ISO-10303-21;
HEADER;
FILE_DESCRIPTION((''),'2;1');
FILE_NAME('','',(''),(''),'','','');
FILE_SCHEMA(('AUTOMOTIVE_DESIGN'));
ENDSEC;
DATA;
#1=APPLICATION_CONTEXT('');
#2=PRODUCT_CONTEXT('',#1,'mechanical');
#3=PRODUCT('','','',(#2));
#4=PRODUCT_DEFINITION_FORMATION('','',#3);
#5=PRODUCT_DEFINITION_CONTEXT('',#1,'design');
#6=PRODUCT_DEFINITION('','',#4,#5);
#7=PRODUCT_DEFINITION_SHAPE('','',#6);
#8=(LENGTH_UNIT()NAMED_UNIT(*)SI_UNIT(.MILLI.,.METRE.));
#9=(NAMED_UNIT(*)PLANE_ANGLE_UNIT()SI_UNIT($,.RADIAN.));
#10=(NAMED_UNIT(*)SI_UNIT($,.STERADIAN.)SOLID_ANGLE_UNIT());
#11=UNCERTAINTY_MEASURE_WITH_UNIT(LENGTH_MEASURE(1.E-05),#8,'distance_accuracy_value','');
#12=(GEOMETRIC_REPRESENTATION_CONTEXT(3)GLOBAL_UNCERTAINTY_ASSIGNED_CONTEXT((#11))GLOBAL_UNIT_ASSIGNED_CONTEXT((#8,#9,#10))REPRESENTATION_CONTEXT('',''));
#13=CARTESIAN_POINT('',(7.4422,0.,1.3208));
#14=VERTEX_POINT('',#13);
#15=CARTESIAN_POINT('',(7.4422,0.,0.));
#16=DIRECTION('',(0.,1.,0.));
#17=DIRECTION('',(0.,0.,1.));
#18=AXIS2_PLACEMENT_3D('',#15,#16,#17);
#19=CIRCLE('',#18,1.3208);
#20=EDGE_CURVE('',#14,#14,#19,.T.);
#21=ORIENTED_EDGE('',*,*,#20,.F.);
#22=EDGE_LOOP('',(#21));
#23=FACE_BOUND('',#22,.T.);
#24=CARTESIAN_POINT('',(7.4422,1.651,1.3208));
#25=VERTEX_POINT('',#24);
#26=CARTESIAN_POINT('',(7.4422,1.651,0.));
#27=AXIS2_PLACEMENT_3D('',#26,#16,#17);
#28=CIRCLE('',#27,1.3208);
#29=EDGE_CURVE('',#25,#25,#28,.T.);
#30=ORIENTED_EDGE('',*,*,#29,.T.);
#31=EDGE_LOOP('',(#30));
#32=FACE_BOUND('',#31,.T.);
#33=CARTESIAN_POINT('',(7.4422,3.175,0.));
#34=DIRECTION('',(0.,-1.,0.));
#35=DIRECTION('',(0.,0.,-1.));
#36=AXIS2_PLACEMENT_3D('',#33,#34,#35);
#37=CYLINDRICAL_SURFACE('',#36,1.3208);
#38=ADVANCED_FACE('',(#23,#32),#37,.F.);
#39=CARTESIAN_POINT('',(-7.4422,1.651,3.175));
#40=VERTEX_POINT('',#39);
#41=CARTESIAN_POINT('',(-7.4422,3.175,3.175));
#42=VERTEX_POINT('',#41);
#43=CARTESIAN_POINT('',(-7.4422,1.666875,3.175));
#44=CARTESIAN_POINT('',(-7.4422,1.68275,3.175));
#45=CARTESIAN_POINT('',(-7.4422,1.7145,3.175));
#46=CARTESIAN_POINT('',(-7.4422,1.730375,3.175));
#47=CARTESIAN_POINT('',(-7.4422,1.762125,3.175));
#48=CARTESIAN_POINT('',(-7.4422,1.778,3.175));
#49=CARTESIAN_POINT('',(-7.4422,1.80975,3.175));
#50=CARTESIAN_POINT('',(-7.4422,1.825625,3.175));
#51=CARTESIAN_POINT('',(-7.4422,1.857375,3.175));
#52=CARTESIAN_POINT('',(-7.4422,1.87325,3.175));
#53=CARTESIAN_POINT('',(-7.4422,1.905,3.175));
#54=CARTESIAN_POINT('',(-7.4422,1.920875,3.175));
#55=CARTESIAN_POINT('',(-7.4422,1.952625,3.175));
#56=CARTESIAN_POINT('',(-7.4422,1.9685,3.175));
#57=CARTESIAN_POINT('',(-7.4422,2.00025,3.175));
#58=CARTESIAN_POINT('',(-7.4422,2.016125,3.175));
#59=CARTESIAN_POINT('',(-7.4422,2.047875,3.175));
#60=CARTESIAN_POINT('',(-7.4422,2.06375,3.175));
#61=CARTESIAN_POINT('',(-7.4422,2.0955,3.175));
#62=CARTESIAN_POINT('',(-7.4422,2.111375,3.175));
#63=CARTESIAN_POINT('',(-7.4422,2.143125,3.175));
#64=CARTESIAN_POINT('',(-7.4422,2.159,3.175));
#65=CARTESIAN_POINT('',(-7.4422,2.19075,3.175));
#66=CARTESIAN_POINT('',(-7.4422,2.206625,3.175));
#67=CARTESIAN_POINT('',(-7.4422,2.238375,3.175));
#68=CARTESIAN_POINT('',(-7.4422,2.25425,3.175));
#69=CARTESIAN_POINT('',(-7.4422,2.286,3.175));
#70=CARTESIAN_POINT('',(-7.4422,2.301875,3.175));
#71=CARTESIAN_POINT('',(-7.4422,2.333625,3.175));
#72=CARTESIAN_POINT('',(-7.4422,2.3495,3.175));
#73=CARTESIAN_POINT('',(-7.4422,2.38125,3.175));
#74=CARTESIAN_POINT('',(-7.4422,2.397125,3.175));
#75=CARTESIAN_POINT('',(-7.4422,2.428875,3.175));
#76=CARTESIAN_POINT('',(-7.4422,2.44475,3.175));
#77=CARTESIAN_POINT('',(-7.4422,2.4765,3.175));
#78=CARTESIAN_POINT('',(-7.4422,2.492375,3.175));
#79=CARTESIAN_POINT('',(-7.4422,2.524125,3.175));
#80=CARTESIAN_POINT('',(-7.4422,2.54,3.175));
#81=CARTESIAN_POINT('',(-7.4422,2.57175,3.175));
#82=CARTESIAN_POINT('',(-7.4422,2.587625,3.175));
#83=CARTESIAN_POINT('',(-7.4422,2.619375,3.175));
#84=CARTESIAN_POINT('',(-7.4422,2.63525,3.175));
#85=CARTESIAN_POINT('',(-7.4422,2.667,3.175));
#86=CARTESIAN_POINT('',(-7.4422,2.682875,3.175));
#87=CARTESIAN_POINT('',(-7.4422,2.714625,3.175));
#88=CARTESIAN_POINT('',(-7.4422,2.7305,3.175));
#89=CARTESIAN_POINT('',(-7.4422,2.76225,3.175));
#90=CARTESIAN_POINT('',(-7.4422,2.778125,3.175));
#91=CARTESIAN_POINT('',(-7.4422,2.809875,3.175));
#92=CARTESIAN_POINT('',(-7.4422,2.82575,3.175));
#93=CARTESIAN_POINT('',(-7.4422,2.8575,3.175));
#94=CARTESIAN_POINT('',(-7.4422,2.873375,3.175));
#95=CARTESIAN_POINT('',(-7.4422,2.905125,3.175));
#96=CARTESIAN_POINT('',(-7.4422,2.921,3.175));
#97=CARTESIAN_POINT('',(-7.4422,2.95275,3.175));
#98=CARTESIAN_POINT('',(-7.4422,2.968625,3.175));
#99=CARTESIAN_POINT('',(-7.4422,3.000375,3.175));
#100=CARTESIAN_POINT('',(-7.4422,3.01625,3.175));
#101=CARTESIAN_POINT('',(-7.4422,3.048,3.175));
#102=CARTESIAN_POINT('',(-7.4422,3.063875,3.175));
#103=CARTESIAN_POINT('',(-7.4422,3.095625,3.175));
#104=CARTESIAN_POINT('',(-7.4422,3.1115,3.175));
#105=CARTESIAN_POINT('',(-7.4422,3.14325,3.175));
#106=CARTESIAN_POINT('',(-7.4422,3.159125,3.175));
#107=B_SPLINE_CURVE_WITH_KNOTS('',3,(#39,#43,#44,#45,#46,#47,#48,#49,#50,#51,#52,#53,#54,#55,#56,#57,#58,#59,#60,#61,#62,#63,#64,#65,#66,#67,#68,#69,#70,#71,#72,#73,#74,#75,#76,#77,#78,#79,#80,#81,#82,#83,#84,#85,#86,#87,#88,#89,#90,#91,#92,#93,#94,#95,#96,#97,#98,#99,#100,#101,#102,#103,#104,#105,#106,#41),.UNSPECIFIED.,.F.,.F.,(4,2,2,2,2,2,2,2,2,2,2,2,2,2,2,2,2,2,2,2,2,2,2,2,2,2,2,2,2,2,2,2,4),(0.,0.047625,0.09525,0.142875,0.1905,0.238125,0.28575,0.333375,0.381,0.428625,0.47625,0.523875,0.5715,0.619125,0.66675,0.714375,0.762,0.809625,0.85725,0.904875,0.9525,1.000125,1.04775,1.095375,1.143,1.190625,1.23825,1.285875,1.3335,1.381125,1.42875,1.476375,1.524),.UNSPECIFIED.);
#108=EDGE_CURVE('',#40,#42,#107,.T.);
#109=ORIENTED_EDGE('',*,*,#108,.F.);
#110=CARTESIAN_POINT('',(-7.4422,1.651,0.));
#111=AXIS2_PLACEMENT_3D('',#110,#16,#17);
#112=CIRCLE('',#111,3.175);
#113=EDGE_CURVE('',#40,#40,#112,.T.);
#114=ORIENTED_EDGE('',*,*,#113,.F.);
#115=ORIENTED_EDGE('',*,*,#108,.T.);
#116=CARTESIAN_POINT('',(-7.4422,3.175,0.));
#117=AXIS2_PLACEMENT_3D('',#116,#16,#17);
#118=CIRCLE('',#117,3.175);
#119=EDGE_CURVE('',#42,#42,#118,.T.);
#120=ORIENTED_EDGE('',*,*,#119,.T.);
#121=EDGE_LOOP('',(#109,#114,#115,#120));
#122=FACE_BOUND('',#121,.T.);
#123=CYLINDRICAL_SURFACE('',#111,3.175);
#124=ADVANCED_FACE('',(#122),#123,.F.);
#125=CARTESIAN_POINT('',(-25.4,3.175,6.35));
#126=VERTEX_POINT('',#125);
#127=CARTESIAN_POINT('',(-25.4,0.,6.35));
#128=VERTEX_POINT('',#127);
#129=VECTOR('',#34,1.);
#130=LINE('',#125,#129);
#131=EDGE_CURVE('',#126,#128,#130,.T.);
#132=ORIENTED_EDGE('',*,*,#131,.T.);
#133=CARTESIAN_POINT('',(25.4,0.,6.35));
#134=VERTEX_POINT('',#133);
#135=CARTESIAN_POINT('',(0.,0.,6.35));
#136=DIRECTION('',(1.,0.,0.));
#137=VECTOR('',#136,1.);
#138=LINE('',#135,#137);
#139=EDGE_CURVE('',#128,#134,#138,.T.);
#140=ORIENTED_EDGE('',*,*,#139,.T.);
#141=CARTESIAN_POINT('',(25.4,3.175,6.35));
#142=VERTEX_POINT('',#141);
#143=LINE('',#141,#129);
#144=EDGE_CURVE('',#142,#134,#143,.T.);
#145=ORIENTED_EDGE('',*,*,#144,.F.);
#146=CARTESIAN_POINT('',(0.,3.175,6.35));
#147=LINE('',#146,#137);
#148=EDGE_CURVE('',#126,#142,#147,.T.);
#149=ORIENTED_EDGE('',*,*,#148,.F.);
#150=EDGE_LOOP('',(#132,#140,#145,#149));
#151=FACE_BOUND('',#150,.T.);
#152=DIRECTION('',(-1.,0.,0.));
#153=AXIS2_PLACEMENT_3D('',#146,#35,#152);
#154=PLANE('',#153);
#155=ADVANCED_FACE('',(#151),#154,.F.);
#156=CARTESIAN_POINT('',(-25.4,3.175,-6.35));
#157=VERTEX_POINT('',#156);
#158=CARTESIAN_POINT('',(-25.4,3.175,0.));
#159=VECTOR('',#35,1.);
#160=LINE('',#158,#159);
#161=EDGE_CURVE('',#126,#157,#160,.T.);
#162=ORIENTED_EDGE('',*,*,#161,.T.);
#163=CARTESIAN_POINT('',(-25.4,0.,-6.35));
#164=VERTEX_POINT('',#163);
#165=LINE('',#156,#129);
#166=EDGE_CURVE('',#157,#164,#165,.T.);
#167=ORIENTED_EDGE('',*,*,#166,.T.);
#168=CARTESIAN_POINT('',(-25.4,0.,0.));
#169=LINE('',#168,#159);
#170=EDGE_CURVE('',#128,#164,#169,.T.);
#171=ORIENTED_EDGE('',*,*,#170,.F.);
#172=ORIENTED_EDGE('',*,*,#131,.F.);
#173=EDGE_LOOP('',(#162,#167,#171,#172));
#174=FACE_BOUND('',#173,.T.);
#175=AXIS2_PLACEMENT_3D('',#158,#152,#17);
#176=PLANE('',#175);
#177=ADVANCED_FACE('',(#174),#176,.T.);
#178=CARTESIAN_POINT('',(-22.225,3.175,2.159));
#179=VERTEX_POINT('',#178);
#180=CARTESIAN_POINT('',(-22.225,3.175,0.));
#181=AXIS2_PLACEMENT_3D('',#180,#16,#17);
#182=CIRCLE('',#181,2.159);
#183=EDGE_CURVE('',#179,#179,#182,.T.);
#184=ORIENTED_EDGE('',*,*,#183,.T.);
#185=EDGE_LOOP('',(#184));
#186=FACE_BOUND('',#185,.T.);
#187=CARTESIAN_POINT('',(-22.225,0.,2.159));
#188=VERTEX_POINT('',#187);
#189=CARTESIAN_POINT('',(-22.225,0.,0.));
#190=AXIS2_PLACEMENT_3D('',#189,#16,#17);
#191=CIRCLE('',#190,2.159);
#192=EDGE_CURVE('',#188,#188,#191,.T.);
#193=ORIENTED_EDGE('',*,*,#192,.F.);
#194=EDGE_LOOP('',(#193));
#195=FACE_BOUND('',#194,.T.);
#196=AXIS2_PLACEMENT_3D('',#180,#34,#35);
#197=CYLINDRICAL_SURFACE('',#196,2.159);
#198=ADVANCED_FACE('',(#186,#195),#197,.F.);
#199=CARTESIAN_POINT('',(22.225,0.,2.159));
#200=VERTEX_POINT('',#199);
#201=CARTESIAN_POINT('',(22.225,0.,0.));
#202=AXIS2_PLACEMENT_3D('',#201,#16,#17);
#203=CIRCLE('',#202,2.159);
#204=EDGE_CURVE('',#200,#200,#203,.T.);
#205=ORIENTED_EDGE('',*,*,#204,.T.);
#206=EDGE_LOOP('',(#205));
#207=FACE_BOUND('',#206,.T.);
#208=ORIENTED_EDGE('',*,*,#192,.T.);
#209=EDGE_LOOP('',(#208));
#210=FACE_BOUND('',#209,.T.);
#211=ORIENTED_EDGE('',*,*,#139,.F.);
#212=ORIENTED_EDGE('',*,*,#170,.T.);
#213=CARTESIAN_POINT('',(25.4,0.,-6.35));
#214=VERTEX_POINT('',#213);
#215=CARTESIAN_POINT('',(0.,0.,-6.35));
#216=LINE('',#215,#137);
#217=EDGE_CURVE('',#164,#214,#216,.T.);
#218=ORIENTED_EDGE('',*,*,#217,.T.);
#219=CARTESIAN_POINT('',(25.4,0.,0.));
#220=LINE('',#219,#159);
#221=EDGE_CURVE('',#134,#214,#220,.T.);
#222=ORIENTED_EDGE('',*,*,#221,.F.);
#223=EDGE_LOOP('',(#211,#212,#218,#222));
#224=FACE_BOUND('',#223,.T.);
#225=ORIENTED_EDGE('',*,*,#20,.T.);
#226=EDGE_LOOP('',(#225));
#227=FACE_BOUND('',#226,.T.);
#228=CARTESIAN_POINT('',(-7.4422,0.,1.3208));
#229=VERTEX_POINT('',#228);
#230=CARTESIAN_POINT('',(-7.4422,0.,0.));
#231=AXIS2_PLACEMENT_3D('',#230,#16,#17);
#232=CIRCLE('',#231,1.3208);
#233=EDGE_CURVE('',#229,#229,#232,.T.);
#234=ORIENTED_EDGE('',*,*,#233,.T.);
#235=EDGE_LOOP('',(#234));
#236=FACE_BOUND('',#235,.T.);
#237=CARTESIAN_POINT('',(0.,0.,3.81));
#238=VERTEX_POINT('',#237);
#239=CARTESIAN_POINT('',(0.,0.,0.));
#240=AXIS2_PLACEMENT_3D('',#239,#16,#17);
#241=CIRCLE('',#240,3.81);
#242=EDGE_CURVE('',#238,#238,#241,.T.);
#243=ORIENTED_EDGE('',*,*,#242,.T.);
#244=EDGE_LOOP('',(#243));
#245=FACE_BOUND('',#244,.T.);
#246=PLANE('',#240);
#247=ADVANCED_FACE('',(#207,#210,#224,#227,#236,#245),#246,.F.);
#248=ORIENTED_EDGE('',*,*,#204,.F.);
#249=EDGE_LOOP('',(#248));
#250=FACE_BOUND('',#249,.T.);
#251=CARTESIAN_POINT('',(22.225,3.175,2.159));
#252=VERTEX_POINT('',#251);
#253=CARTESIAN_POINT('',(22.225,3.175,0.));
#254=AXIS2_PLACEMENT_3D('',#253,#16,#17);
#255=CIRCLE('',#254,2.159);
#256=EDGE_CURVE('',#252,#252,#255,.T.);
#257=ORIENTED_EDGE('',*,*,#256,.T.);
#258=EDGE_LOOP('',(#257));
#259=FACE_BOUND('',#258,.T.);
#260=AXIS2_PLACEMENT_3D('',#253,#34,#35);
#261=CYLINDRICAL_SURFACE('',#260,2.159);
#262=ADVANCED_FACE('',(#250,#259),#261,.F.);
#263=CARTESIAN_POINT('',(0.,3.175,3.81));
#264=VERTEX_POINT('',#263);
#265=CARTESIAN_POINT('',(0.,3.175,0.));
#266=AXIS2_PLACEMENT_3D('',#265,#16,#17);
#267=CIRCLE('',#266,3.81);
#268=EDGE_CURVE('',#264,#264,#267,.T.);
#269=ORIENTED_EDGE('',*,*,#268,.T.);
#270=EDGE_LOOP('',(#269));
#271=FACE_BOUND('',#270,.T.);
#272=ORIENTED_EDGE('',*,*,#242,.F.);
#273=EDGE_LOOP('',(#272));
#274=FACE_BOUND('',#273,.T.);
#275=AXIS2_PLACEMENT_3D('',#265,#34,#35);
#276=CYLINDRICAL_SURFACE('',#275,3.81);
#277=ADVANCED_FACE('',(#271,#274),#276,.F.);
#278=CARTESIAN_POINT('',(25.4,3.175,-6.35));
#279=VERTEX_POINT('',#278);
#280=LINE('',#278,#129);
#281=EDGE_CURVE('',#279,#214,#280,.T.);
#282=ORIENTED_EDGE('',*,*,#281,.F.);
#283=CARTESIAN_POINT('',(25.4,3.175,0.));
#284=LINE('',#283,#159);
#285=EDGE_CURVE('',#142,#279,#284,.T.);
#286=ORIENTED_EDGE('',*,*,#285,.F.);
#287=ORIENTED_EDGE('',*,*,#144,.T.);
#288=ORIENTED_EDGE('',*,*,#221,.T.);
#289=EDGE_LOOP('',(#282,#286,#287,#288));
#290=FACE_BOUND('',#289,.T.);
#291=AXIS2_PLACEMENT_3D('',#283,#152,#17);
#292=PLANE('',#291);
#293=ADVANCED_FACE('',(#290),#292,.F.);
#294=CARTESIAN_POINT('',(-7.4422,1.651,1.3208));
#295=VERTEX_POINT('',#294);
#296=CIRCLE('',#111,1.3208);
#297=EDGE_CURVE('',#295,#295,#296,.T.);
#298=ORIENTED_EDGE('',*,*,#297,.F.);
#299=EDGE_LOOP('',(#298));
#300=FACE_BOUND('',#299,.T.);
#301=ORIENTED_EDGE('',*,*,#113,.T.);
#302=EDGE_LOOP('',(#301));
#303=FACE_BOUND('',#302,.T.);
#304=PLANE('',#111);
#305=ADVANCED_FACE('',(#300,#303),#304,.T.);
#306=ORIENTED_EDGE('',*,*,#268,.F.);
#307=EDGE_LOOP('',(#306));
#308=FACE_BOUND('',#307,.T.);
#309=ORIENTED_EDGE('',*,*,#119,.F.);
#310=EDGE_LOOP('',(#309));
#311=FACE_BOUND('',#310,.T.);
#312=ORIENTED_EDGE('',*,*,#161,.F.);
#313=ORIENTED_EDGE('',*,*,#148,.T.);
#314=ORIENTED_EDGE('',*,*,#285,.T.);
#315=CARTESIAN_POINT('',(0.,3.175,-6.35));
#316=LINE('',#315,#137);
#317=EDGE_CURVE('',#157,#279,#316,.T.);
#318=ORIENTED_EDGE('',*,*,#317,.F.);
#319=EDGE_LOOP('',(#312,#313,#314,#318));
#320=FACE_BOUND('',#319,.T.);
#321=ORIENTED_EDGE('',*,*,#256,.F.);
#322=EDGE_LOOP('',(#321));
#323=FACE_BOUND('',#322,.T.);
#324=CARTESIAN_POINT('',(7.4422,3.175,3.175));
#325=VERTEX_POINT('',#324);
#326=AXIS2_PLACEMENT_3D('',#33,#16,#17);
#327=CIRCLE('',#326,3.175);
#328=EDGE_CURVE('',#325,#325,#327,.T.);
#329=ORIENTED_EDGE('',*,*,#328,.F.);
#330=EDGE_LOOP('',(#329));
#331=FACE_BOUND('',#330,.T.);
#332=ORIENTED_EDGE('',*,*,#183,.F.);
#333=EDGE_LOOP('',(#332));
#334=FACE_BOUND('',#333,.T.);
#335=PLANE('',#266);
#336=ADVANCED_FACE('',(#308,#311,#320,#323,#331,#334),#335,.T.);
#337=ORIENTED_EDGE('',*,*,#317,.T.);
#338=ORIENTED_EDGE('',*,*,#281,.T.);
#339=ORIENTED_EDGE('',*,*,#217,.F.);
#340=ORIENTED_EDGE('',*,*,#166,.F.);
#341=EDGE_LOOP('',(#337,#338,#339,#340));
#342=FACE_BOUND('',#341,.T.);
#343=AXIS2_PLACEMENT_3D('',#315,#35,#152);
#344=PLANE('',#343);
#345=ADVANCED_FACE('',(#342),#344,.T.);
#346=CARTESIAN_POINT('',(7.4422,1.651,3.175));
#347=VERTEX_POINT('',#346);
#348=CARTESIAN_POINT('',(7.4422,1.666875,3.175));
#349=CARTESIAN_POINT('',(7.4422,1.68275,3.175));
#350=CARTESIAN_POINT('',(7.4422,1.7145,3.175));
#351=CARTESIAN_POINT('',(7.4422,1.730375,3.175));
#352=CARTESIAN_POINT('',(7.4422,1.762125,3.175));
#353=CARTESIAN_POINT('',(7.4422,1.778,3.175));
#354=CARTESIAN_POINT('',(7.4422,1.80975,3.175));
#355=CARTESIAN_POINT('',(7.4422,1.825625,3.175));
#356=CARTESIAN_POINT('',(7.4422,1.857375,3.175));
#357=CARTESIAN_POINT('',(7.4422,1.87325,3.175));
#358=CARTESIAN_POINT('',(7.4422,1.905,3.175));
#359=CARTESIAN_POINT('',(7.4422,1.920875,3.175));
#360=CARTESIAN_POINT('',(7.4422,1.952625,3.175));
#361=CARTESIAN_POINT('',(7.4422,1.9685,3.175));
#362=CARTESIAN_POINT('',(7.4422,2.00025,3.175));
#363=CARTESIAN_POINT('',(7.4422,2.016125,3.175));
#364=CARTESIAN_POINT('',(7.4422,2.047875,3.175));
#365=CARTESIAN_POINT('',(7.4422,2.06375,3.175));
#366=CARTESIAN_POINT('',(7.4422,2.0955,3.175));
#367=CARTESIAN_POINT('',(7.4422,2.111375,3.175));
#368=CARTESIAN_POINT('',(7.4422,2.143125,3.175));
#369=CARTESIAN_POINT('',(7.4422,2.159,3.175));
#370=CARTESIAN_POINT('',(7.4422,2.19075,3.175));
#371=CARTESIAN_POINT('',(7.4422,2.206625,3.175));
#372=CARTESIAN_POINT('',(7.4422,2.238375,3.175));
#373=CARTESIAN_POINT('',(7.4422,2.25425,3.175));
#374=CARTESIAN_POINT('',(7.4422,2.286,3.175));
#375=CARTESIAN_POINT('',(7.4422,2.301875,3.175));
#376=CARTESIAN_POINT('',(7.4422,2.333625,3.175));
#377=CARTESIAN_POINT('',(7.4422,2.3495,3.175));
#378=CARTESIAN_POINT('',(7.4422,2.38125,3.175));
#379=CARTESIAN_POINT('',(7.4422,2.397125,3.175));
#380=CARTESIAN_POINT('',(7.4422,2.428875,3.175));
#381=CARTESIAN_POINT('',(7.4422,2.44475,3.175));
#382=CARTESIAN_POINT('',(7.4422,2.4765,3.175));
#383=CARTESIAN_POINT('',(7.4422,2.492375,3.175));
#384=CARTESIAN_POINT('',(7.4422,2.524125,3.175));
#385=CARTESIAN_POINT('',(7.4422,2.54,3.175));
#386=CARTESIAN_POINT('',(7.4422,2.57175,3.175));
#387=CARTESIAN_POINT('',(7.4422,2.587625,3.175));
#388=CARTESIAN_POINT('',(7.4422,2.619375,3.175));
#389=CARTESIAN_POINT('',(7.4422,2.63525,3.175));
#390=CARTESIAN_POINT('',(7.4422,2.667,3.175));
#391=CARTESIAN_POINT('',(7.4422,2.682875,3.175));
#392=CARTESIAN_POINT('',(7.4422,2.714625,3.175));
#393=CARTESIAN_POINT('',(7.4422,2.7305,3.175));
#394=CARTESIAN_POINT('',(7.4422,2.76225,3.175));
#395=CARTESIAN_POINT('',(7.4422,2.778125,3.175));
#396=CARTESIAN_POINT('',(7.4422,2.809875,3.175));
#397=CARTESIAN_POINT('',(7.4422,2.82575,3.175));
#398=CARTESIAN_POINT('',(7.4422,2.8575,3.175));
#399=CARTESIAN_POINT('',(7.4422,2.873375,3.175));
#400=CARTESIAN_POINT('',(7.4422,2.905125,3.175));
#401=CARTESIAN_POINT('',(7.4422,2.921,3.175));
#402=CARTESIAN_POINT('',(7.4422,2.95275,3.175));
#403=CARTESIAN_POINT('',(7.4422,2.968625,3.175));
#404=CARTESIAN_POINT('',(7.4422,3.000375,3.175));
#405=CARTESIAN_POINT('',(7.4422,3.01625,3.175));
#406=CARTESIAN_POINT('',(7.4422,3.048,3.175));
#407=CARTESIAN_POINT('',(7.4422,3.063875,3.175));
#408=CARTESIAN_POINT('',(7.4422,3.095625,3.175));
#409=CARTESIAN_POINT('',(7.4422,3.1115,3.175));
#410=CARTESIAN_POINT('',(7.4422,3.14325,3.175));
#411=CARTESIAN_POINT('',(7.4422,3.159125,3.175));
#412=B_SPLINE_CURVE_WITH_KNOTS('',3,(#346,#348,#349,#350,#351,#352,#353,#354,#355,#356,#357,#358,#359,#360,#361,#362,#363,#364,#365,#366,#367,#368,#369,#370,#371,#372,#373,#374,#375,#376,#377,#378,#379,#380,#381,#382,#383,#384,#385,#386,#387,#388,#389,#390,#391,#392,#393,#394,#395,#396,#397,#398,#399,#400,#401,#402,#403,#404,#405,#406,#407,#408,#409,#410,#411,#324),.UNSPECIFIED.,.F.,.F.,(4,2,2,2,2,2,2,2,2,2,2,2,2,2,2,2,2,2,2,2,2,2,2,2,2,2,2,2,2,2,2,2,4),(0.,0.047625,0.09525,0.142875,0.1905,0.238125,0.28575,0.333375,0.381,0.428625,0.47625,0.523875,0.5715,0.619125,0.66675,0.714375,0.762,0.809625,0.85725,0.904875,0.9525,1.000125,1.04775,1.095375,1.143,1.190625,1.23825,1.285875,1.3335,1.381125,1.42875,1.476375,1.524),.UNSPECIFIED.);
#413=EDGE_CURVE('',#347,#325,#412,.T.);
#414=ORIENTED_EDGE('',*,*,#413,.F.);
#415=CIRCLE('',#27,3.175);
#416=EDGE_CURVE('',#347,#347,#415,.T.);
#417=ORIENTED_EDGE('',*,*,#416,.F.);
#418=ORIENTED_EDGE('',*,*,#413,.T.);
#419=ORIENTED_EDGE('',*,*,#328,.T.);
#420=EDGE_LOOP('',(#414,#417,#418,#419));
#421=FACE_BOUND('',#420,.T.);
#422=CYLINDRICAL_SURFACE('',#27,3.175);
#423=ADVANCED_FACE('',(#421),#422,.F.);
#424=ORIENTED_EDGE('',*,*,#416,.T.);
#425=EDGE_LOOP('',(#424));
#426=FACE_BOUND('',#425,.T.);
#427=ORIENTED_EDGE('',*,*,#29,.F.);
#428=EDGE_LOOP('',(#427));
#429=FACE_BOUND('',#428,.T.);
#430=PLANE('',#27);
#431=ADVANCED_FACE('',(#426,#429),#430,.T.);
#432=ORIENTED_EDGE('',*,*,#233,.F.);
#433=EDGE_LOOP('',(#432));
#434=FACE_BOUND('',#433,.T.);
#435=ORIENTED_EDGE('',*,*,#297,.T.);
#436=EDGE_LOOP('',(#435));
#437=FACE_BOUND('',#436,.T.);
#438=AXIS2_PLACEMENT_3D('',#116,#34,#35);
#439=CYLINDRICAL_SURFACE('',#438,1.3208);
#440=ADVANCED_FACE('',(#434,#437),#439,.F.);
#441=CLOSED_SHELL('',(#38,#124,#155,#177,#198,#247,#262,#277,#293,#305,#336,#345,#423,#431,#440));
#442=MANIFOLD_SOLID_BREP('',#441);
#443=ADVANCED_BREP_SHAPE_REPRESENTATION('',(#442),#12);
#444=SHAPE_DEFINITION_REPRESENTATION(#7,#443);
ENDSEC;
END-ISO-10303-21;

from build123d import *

# Parameters (mm, degrees)
SKETCH1_W           = 50.8
SKETCH1_H           = 12.7
SKETCH1_R           = 3.81
SKETCH1_R_2         = 1.3208
SKETCH1_R_3         = 2.159
BOSS_EXTRUDE1_DEPTH = 3.175
SKETCH2_R           = 3.175
CUT_EXTRUDE1_DEPTH  = 1.524


with BuildPart() as part:
    # Sketch1 → Boss-Extrude1 (new body)
    with BuildSketch(Plane(origin=(0, 0, 0), x_dir=(1, 0, 0), z_dir=(0, 1, 0))):
        Rectangle(SKETCH1_W, SKETCH1_H)
        with Locations(Location((0, 0, 0), (0, 0, 270))):
            Circle(SKETCH1_R, mode=Mode.SUBTRACT)
        with Locations(Location((7.4422, 0, 0), (0, 0, 270))):
            Circle(SKETCH1_R_2, mode=Mode.SUBTRACT)
        with Locations(Location((-7.4422, 0, 0), (0, 0, 270))):
            Circle(SKETCH1_R_2, mode=Mode.SUBTRACT)
        with Locations(Location((-22.225, 0, 0), (0, 0, 270))):
            Circle(SKETCH1_R_3, mode=Mode.SUBTRACT)
        with Locations(Location((22.225, 0, 0), (0, 0, 270))):
            Circle(SKETCH1_R_3, mode=Mode.SUBTRACT)
    extrude(amount=BOSS_EXTRUDE1_DEPTH)

    # Sketch2 → Cut-Extrude1 (cut)
    with BuildSketch(Plane(origin=(0, 3.175, 0), x_dir=(1, 0, 0), z_dir=(0, 1, 0))):
        with Locations(Location((-7.4422, 0, 0), (0, 0, 270))):
            Circle(SKETCH2_R)
        with Locations(Location((7.4422, 0, 0), (0, 0, 270))):
            Circle(SKETCH2_R)
    extrude(amount=-CUT_EXTRUDE1_DEPTH, mode=Mode.SUBTRACT)


solid = part.part
